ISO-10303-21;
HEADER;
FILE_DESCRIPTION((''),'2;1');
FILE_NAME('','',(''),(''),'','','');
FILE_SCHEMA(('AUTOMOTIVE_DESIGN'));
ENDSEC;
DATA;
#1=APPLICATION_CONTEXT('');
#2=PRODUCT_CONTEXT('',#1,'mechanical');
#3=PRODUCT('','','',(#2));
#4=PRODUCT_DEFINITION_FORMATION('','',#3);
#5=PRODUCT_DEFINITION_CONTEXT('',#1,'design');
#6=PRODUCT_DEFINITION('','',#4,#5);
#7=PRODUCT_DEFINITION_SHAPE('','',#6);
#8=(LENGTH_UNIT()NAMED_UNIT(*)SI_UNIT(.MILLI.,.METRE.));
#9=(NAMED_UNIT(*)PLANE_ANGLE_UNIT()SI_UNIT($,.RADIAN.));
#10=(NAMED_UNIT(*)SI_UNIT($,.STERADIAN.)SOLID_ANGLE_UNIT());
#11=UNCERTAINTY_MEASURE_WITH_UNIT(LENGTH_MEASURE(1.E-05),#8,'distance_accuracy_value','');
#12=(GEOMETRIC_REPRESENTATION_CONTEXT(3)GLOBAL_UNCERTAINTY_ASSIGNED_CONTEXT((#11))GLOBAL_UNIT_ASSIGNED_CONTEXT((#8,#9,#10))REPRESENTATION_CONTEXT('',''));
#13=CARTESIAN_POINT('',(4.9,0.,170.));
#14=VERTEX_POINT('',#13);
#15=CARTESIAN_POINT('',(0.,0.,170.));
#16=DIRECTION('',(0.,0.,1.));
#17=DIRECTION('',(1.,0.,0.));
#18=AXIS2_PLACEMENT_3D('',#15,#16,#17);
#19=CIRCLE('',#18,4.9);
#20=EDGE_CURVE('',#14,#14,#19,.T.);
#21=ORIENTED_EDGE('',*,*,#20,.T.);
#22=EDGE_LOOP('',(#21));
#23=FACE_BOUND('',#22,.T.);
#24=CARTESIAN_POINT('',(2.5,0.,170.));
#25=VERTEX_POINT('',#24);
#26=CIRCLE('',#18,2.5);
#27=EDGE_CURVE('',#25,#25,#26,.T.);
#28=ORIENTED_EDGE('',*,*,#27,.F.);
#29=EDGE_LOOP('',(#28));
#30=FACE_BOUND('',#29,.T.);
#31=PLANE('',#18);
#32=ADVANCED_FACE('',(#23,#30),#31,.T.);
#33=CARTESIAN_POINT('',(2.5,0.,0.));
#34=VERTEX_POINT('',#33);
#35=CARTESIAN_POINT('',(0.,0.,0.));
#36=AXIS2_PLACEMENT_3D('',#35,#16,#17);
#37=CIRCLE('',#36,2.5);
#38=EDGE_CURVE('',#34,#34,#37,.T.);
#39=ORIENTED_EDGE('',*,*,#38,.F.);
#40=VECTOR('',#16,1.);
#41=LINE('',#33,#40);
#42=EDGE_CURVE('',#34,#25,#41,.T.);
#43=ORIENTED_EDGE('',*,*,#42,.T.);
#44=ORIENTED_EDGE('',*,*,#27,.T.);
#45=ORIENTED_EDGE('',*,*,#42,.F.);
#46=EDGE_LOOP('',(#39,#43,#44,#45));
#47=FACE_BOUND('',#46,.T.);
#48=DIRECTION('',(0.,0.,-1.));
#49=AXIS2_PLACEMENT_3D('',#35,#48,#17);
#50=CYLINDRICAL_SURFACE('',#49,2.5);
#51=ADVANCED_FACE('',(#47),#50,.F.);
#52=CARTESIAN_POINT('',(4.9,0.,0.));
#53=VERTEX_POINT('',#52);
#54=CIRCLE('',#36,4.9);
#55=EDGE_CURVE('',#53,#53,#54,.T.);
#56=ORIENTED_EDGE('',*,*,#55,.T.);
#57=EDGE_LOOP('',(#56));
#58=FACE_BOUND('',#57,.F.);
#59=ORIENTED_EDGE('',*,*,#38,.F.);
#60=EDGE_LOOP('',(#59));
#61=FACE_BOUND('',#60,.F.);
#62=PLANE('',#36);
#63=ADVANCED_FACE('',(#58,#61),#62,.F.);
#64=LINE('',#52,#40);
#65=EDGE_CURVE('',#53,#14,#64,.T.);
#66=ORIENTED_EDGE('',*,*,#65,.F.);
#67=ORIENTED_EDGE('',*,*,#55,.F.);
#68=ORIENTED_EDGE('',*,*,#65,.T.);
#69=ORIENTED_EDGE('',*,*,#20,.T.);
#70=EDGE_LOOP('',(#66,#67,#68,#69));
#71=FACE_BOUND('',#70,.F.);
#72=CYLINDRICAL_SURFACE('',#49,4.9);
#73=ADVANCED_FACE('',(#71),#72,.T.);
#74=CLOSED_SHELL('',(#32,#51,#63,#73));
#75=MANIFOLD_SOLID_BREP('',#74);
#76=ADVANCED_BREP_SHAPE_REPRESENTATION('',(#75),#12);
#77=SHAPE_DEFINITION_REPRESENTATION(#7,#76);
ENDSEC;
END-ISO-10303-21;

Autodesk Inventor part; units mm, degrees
ref_plane "YZ Plane" through (0, 0, 0) normal (1, 0, 0) x (0, 1, 0)
ref_plane "XZ Plane" through (0, 0, 0) normal (0, 1, 0) x (-1, 0, 0)
sketch "Sketch1" plane through (0, 0, 0) normal (0, 0, 1) x (1, 0, 0)
  circle A0 centre (0, 0) radius 2.5 projected
  circle A1 centre (0, 0) radius 4.9
  point P0 (0, 0)
  dimension "d0" = 9.8
ref_plane "Work Plane1" through (-33.85, -16.15, 180) normal (0, 0, -1) x (0, 1, 0)
extrude "Extrusion1" add sketch "Sketch1" along normal blind 170
